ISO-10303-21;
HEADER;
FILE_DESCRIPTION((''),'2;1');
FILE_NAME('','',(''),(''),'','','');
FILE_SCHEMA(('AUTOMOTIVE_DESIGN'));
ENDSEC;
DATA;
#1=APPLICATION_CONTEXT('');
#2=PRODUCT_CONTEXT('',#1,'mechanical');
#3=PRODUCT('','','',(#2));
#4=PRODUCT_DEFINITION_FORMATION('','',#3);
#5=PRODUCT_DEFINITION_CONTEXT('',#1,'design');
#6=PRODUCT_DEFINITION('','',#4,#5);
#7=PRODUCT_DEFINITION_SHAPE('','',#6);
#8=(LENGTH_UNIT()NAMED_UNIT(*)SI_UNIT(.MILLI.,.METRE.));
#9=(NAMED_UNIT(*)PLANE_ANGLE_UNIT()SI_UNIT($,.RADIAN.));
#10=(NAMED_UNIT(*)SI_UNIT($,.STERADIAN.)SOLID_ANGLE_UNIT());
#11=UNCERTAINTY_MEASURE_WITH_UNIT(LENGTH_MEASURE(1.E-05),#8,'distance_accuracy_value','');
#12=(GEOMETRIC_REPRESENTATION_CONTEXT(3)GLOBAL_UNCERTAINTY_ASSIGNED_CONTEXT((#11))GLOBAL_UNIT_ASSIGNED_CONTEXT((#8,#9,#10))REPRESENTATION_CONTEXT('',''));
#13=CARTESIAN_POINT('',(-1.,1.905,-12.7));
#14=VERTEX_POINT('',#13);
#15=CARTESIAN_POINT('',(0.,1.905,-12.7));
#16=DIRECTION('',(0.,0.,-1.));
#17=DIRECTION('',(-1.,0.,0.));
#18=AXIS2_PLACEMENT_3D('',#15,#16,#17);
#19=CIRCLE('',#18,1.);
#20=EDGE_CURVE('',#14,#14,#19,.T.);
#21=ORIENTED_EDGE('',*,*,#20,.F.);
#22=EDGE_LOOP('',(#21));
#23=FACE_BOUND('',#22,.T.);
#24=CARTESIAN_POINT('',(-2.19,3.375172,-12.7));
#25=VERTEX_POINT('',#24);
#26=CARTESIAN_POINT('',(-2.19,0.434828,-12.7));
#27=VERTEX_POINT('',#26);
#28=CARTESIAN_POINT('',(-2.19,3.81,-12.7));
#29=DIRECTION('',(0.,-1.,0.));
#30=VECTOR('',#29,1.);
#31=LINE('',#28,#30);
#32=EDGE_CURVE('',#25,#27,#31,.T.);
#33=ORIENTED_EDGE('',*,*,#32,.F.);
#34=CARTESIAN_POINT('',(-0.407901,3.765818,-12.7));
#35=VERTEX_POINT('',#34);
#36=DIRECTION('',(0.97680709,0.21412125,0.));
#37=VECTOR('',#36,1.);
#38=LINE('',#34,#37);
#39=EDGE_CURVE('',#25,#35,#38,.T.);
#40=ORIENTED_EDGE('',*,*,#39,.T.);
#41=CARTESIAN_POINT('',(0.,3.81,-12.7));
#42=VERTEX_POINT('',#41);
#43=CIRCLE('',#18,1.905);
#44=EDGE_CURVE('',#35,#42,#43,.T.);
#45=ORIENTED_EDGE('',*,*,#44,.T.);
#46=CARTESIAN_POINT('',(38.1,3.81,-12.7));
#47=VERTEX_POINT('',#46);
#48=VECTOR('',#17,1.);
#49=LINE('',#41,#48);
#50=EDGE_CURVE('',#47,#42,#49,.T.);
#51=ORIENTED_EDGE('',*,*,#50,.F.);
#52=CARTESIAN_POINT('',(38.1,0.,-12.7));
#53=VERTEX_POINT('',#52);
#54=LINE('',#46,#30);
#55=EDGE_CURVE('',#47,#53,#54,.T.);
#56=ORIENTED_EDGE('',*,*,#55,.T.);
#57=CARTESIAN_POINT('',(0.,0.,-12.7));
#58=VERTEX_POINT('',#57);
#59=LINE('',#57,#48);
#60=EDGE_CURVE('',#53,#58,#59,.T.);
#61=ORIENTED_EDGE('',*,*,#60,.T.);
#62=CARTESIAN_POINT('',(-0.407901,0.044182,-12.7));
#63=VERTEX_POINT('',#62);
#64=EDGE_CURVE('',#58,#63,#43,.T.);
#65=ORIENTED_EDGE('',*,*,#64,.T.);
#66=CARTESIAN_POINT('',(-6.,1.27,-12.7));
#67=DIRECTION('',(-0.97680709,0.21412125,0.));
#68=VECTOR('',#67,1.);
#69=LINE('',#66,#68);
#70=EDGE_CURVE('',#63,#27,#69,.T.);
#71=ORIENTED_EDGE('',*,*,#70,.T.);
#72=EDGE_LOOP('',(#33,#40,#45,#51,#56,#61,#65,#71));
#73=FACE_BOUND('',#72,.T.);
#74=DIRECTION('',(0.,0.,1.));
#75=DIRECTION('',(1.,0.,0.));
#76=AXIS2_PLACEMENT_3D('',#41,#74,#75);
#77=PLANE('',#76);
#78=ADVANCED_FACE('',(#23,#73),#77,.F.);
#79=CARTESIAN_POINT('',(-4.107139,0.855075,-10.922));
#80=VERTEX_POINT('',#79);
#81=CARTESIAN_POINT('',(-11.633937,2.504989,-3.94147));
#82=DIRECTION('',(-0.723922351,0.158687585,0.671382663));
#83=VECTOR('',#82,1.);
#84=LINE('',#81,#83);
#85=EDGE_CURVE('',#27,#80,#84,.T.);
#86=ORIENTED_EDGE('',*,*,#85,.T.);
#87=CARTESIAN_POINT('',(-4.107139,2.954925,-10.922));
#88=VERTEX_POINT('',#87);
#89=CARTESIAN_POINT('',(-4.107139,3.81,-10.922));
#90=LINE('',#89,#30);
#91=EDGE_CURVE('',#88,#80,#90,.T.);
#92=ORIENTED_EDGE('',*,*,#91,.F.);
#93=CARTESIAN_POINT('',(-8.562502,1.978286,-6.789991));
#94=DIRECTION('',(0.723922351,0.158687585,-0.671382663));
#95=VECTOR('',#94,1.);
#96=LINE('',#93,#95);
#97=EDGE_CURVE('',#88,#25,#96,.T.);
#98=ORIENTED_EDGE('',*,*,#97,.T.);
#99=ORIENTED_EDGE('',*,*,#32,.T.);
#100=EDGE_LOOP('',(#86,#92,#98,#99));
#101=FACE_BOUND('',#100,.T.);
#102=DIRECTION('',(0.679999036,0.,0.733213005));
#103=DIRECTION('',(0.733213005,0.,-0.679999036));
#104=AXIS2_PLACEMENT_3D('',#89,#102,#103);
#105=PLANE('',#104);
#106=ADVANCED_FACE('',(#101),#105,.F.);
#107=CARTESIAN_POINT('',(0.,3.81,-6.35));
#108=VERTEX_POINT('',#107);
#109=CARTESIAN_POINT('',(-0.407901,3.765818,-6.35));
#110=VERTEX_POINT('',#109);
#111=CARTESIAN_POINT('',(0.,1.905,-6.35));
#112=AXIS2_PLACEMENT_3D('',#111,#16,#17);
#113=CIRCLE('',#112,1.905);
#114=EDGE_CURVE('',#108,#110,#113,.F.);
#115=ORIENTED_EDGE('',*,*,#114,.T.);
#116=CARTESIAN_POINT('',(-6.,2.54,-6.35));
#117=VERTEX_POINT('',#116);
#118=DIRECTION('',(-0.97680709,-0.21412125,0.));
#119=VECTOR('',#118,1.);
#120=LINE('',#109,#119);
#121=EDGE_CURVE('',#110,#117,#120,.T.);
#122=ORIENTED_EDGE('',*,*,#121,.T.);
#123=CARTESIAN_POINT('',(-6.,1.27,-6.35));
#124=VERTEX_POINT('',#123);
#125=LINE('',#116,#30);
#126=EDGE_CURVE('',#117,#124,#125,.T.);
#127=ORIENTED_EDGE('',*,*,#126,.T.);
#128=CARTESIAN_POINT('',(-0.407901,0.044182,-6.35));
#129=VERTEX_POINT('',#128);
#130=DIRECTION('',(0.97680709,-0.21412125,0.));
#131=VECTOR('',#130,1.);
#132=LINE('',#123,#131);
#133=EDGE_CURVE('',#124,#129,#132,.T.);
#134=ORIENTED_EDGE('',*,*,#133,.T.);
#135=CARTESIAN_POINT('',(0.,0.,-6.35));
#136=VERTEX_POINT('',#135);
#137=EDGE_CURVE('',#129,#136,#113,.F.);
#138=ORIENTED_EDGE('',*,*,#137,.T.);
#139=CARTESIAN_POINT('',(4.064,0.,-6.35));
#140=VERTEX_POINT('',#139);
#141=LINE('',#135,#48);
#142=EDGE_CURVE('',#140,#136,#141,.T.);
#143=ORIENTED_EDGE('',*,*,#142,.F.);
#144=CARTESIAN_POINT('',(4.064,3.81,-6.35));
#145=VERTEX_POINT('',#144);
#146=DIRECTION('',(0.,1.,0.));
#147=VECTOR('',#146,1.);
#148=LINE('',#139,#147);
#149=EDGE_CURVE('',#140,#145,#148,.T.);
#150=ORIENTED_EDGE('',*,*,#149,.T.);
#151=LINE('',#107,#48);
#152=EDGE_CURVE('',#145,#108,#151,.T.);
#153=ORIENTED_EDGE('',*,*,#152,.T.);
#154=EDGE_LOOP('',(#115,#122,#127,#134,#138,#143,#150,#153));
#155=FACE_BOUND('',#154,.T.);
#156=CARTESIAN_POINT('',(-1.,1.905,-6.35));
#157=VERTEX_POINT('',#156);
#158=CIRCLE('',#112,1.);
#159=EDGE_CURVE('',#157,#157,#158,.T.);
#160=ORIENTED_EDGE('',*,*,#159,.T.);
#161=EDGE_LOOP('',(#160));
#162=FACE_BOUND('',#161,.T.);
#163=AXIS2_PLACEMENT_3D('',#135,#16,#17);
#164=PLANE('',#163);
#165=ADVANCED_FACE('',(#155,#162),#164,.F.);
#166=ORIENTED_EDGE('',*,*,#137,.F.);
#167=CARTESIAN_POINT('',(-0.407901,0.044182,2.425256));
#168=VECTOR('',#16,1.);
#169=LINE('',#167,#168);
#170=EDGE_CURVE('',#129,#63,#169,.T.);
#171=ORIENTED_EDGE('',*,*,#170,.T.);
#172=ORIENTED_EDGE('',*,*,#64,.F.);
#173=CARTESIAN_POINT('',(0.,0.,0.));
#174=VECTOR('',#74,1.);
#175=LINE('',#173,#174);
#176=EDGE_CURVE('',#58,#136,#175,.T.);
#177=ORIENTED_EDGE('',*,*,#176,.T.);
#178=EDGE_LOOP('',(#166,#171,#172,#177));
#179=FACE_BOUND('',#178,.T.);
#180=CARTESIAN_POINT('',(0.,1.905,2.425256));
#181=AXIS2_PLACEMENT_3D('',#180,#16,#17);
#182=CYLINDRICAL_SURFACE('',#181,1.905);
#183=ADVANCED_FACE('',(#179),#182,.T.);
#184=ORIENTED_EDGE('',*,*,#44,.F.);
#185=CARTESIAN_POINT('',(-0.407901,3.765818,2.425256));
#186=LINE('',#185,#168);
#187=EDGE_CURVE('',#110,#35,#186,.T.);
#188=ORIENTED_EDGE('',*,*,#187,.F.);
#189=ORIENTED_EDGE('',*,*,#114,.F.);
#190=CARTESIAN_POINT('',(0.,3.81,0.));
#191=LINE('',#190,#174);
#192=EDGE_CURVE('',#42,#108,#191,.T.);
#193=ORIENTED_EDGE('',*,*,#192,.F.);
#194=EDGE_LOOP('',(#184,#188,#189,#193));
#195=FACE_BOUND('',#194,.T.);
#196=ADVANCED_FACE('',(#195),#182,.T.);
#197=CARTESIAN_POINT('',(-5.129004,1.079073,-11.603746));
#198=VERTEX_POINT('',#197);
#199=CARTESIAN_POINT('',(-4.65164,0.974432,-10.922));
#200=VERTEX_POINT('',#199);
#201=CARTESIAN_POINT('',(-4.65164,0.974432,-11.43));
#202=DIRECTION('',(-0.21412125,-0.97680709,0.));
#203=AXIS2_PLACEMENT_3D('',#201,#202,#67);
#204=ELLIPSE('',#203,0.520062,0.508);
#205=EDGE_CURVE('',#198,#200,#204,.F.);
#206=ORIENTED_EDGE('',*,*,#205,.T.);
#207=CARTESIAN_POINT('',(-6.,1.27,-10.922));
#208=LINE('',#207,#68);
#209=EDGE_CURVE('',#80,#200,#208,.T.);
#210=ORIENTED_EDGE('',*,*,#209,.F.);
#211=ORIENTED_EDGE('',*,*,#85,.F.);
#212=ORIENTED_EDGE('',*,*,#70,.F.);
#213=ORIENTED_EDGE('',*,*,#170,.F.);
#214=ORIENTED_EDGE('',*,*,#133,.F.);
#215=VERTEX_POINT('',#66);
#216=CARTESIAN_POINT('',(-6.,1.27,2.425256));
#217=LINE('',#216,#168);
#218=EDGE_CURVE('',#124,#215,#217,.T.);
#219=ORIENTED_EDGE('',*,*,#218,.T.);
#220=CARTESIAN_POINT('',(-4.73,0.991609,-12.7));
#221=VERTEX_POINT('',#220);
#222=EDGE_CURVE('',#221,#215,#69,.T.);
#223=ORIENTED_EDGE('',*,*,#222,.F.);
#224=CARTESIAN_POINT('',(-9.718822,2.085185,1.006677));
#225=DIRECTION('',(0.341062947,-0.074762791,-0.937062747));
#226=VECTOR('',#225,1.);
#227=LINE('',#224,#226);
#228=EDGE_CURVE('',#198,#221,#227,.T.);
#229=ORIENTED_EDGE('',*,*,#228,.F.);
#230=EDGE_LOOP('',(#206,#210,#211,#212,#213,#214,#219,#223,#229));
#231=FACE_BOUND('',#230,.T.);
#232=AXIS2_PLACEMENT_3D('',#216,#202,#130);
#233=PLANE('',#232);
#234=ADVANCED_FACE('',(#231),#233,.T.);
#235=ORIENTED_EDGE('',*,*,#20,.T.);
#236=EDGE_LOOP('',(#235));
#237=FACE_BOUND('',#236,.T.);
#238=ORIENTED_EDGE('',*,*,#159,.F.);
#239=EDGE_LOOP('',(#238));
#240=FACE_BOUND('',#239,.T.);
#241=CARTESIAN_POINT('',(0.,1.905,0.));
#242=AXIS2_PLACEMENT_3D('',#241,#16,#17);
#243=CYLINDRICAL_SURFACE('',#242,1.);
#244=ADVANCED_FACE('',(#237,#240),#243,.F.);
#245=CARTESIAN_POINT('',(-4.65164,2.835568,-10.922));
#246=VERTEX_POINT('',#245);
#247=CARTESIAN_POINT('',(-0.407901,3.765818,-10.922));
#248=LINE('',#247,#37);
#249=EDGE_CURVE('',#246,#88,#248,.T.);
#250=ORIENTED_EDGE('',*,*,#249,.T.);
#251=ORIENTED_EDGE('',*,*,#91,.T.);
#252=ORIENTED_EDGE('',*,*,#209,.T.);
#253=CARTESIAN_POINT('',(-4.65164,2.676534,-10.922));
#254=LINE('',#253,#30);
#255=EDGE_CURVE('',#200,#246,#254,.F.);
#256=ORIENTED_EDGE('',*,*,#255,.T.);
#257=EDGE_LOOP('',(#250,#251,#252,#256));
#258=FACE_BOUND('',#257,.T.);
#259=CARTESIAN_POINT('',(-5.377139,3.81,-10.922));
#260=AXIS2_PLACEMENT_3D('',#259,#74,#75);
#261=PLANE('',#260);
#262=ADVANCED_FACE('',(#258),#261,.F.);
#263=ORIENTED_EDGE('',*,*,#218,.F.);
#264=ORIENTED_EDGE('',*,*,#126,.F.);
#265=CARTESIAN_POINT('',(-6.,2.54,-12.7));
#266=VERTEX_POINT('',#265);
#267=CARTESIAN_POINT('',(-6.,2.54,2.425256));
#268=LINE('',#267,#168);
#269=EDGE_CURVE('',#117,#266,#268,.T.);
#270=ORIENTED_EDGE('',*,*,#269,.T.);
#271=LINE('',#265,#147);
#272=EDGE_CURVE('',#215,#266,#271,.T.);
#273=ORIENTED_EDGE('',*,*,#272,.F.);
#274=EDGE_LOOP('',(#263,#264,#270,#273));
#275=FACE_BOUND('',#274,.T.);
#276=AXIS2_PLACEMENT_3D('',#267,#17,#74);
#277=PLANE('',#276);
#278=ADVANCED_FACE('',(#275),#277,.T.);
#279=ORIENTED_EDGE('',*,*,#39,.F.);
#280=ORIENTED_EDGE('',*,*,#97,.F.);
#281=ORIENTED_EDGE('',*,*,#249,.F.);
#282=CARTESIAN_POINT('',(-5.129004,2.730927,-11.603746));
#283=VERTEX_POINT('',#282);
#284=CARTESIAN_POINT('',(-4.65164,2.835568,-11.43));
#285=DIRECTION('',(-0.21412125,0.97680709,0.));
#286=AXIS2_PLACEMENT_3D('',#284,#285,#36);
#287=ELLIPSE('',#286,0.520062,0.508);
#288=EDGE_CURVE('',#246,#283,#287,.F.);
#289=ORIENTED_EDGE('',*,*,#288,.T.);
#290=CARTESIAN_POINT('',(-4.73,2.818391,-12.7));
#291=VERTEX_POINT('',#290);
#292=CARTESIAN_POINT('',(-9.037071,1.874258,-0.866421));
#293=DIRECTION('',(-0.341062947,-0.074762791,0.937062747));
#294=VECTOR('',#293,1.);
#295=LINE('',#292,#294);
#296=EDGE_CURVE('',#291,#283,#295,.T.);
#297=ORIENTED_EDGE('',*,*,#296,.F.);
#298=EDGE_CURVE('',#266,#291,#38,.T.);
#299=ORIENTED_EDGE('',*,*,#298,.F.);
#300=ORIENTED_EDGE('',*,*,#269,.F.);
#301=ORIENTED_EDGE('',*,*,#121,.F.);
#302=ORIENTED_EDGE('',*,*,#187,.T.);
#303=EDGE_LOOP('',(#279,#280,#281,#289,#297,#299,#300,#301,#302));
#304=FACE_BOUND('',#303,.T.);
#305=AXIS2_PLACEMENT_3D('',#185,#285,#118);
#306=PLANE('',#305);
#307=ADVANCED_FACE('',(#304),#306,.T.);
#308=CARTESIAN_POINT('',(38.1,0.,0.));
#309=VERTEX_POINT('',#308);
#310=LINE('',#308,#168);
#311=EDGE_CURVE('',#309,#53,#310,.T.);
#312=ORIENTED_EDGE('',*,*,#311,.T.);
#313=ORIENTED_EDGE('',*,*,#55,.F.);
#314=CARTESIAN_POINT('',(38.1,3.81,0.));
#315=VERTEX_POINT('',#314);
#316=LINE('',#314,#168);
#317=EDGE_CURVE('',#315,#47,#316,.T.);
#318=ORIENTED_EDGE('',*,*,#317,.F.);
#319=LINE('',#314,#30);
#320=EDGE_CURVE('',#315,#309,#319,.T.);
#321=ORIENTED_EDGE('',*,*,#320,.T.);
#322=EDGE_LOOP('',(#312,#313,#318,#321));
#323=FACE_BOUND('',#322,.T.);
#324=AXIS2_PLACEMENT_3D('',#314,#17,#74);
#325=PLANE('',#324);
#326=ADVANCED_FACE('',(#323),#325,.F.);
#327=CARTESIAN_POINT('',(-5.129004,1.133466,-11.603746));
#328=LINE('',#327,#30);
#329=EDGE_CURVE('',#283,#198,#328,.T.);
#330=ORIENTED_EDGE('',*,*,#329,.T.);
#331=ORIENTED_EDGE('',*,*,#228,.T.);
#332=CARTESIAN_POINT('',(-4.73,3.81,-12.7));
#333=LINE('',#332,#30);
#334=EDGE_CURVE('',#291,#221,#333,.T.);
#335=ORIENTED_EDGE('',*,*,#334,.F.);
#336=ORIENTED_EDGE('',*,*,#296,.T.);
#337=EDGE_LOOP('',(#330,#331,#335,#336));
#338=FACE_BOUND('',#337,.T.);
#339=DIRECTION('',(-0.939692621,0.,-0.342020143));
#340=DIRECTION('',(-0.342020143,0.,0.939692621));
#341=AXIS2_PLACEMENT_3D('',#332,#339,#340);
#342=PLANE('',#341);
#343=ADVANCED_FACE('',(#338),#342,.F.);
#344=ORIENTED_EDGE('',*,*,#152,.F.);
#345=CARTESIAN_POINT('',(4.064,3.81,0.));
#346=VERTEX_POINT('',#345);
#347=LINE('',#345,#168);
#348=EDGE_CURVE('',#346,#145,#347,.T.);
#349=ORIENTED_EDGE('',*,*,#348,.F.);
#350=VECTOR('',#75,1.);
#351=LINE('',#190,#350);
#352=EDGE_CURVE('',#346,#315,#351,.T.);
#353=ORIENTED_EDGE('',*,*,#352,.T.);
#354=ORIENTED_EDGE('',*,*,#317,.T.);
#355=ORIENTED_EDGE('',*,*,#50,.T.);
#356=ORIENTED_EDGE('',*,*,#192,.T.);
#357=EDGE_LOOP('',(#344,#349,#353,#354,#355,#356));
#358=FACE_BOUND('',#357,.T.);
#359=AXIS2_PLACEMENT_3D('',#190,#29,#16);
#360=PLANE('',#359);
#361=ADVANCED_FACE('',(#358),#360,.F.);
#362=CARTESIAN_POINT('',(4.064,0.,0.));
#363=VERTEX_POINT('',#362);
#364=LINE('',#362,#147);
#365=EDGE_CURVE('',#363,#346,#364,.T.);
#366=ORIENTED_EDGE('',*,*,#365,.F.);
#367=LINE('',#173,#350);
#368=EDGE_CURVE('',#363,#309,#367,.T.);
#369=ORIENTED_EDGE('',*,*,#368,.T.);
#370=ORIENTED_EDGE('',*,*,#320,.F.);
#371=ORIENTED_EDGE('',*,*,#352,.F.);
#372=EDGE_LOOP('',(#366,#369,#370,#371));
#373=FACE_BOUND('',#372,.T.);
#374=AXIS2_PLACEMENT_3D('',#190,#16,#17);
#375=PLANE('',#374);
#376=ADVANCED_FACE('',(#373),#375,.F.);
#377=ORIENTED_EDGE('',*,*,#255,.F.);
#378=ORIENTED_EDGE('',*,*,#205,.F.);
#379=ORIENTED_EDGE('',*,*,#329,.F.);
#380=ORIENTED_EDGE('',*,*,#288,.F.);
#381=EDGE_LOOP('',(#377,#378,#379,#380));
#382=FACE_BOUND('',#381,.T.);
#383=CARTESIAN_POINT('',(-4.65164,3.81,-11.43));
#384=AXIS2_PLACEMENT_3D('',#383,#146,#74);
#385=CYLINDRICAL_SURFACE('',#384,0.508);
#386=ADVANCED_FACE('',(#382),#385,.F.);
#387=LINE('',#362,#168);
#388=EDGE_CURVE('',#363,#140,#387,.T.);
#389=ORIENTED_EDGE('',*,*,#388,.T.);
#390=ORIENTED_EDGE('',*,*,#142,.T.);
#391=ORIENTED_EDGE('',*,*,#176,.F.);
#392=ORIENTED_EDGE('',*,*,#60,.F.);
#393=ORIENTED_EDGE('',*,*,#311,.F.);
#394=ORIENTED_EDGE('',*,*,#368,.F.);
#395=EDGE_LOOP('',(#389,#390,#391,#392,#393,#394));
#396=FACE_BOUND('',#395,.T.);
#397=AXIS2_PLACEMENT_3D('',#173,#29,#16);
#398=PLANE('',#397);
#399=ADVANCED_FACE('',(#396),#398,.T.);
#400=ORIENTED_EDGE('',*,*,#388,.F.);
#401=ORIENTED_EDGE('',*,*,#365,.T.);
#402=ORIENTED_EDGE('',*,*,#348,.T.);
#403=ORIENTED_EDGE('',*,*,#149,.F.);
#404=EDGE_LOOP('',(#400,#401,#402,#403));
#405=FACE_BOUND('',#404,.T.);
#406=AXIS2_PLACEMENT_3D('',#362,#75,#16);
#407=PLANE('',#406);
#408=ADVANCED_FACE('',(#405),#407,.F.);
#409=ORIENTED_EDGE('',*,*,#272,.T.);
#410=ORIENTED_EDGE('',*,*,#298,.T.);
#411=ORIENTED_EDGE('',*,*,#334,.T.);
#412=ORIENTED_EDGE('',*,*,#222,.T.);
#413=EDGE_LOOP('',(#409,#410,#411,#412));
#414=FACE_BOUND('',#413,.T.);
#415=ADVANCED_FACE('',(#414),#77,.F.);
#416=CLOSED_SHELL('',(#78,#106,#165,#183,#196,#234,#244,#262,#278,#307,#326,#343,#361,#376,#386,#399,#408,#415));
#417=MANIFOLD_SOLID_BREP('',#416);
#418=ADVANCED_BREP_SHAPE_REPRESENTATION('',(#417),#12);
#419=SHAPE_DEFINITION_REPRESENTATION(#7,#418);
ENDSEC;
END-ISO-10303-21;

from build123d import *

# Parameters (mm, degrees)
SKETCH1_W           = 38.1
SKETCH1_H           = 12.7
BOSS_EXTRUDE1_DEPTH = 3.81
SKETCH2_W           = 4.064
SKETCH2_H           = 6.35
CUT_EXTRUDE1_DEPTH  = 4.81
SKETCH4_R           = 1
CUT_EXTRUDE2_DEPTH  = 13.7
SKETCH5_R           = 1
BOSS_EXTRUDE2_DEPTH = 6.35
CUT_EXTRUDE3_DEPTH  = 4.81
FILLET1_R           = 0.508


with BuildPart() as part:
    # Sketch1 → Boss-Extrude1 (new body)
    with BuildSketch(Plane(origin=(0, 0, 0), x_dir=(1, 0, 0), z_dir=(0, 1, 0))):
        with Locations((19.05, 6.35)):
            Rectangle(SKETCH1_W, SKETCH1_H)
    extrude(amount=BOSS_EXTRUDE1_DEPTH)

    # Sketch2 → Cut-Extrude1 (cut, through all)
    with BuildSketch(Plane(origin=(0, 3.81, 0), x_dir=(1, 0, 0), z_dir=(0, 1, 0))):
        with Locations((2.032, 3.175)):
            Rectangle(SKETCH2_W, SKETCH2_H)
    extrude(amount=-CUT_EXTRUDE1_DEPTH, mode=Mode.SUBTRACT)

    # Sketch4 → Cut-Extrude2 (cut, through all)
    with BuildSketch(Plane(origin=(0, 0, -12.7), x_dir=(-1, 0, 0), z_dir=(0, 0, -1))):
        with Locations((0, 1.905)):
            Circle(SKETCH4_R)
    extrude(amount=-CUT_EXTRUDE2_DEPTH, mode=Mode.SUBTRACT)

    # Sketch5 → Boss-Extrude2 (add)
    with BuildSketch(Plane(origin=(0, 0, -12.7), x_dir=(-1, 0, 0), z_dir=(0, 0, -1))):
        with BuildLine():
            Line((0.407900981, 3.765817506), (6, 2.54))
            Line((6, 2.54), (6, 1.27))
            Line((6, 1.27), (0.407900981, 0.044182494))
            ThreePointArc((0.407900981, 0.044182494), (-1.905, 1.905), (0.407900981, 3.765817506))
        make_face()
        with Locations((0, 1.905)):
            Circle(SKETCH5_R, mode=Mode.SUBTRACT)
    extrude(amount=-BOSS_EXTRUDE2_DEPTH)

    # Sketch6 → Cut-Extrude3 (cut, through all)
    with BuildSketch(Plane.XZ):
        Polygon((-4.73, -12.7), (-5.377139077, -10.922), (-4.107139077, -10.922), (-2.19, -12.7), align=None)
    extrude(amount=-CUT_EXTRUDE3_DEPTH, mode=Mode.SUBTRACT)

    # Fillet1
    fillet1_edges = [part.edges().sort_by_distance(p)[0] for p in [
        (-5.377139077, 1.905, -10.922),
    ]]
    fillet(fillet1_edges, radius=FILLET1_R)


solid = part.part
